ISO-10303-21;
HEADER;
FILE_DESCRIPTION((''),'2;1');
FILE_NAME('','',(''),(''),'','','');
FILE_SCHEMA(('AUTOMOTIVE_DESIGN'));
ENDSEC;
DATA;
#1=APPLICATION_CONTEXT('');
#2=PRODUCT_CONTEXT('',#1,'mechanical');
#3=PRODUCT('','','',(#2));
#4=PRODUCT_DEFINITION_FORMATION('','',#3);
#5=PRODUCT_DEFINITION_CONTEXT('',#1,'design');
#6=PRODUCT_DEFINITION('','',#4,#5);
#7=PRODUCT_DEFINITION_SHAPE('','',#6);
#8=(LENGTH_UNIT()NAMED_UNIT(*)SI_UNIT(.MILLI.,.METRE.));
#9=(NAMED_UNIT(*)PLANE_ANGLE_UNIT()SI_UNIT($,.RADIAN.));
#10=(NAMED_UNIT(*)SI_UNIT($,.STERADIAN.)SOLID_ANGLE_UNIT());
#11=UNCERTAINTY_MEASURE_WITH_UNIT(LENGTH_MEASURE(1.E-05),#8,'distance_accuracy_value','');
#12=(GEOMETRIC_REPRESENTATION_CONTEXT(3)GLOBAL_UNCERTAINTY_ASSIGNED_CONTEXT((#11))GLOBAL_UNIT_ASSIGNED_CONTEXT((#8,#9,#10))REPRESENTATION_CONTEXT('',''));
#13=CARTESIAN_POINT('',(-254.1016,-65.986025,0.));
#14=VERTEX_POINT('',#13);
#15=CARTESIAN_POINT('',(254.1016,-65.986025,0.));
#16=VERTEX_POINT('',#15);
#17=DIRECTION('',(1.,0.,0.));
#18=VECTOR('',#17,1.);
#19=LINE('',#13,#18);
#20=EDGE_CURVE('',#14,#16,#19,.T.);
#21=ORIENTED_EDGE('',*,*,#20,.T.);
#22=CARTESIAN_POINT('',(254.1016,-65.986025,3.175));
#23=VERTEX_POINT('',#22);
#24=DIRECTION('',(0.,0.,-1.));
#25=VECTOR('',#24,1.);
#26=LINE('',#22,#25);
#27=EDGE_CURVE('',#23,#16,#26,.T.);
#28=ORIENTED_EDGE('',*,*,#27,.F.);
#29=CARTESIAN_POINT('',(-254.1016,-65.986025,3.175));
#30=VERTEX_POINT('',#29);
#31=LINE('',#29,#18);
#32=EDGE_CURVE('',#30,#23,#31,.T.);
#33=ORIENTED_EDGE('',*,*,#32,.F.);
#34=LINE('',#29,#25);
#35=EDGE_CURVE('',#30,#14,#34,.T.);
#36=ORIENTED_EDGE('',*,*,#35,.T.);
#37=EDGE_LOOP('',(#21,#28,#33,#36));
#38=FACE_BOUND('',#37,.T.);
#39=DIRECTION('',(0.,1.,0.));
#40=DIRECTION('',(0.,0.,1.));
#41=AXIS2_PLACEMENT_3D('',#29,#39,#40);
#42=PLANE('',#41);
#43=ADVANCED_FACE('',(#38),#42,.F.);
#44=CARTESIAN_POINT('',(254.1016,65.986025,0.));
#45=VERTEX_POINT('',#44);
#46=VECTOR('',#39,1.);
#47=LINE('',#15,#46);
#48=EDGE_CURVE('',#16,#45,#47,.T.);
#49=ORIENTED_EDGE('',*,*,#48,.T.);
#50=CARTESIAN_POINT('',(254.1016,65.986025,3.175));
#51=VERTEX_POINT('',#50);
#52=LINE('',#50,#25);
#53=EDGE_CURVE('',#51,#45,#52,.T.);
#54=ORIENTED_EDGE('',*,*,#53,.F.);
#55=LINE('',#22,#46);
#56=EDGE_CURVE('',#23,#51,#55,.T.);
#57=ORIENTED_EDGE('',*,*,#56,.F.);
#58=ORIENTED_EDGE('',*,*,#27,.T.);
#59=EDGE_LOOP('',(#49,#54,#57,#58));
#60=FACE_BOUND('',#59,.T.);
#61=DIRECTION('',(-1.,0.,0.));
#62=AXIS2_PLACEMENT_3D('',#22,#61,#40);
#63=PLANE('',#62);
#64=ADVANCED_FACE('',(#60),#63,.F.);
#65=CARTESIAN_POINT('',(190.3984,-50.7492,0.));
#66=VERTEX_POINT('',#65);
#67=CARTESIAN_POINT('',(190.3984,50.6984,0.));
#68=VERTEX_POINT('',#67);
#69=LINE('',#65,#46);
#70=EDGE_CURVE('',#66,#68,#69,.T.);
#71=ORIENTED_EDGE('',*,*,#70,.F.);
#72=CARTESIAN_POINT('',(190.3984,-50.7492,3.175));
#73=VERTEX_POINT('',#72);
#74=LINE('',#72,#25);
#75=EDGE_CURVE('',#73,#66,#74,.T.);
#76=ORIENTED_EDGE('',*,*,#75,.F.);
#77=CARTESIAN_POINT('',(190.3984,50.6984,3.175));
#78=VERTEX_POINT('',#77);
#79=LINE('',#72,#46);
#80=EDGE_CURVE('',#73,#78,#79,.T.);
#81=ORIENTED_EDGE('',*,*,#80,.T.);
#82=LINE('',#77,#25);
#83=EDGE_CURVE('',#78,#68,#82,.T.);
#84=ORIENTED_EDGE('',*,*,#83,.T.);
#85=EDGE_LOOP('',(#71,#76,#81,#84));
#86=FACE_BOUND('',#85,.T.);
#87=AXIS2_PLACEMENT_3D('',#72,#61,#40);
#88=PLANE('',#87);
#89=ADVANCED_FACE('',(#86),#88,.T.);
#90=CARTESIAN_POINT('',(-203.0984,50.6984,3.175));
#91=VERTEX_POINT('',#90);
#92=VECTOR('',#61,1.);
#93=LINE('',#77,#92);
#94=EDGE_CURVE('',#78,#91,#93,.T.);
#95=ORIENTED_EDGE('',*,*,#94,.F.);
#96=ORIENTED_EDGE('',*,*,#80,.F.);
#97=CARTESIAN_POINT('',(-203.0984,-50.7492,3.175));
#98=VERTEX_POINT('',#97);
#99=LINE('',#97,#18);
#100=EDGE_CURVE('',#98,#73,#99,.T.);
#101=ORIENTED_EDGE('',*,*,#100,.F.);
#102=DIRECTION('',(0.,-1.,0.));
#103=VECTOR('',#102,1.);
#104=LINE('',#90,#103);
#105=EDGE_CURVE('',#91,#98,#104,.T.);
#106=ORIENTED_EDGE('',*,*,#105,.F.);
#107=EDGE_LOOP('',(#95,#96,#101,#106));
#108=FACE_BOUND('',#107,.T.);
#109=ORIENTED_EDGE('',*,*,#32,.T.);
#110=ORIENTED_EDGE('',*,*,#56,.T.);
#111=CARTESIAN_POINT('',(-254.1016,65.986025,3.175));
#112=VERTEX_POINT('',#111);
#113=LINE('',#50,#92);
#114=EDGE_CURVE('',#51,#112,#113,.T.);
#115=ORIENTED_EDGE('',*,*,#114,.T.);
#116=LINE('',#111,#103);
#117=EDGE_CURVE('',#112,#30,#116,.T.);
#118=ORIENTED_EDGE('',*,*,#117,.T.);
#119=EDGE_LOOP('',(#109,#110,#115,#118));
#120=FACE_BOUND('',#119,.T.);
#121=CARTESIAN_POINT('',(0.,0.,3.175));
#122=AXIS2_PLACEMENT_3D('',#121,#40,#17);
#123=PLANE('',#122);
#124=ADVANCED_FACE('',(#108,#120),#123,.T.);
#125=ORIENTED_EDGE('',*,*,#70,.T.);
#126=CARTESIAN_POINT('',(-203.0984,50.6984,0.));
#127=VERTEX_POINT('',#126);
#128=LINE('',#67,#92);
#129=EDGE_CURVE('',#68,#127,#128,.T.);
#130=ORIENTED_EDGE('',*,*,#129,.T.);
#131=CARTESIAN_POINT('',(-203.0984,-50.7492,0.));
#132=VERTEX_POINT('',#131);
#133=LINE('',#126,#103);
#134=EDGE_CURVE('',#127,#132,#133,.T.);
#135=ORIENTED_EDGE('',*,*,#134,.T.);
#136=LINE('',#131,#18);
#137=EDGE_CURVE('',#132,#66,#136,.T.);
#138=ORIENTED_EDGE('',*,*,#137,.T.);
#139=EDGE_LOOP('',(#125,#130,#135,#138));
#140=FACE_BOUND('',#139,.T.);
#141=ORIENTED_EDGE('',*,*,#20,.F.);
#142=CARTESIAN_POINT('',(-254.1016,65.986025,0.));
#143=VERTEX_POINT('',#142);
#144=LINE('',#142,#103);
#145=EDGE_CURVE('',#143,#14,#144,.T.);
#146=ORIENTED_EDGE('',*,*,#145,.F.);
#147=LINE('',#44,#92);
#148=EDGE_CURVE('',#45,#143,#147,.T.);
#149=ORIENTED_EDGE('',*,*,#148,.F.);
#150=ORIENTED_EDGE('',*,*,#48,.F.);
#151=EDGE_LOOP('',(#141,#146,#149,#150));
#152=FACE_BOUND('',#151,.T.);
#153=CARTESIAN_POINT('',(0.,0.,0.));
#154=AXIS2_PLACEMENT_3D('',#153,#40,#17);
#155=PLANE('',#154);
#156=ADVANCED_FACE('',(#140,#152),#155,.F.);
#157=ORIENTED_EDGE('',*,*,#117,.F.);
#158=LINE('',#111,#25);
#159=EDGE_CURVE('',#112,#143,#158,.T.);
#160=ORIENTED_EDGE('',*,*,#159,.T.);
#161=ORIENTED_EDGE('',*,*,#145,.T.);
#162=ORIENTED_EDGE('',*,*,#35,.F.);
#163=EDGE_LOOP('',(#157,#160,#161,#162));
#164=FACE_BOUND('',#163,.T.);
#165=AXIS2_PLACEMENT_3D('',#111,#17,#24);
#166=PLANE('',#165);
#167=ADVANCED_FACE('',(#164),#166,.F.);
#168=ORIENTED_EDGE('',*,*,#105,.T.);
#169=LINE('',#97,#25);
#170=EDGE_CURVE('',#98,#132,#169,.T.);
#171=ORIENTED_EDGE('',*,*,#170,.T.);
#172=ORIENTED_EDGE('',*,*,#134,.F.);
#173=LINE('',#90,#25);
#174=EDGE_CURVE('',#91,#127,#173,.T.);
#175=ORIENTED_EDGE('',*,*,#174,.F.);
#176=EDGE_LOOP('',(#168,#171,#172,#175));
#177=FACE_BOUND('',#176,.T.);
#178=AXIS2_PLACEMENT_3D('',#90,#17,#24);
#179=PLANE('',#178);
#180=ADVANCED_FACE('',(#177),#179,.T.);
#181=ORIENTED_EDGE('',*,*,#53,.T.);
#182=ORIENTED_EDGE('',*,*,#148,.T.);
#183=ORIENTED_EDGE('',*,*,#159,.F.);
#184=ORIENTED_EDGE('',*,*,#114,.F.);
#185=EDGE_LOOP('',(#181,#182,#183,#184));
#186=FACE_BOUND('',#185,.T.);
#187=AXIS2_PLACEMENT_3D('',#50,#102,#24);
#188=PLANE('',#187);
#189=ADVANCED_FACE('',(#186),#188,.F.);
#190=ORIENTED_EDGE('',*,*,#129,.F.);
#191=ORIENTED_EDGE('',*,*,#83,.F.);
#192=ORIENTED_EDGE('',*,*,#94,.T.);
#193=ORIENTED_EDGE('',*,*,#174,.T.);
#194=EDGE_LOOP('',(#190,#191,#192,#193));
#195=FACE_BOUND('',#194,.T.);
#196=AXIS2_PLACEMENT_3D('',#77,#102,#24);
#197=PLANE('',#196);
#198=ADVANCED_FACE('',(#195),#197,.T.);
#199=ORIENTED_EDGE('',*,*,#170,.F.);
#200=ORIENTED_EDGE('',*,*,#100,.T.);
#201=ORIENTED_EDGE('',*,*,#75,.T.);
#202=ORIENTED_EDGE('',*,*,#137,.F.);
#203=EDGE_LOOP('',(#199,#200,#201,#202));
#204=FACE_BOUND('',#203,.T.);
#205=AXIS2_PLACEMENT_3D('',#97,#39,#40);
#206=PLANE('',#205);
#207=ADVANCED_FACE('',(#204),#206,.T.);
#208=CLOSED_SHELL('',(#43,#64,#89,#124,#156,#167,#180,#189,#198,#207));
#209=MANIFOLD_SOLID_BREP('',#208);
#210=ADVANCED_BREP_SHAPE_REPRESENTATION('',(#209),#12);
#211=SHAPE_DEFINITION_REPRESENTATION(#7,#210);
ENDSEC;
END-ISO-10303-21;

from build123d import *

# Parameters (mm, degrees)
SKETCH1_W           = 508.2032
SKETCH1_H           = 131.97205
SKETCH1_W_2         = 393.4968
SKETCH1_H_2         = 101.4476
BOSS_EXTRUDE1_DEPTH = 3.175


with BuildPart() as part:
    # Sketch1 → Boss-Extrude1 (new body)
    with BuildSketch(Plane.XY):
        Rectangle(SKETCH1_W, SKETCH1_H)
        with Locations((-6.35, -0.0254)):
            Rectangle(SKETCH1_W_2, SKETCH1_H_2, mode=Mode.SUBTRACT)
    extrude(amount=BOSS_EXTRUDE1_DEPTH)


solid = part.part
